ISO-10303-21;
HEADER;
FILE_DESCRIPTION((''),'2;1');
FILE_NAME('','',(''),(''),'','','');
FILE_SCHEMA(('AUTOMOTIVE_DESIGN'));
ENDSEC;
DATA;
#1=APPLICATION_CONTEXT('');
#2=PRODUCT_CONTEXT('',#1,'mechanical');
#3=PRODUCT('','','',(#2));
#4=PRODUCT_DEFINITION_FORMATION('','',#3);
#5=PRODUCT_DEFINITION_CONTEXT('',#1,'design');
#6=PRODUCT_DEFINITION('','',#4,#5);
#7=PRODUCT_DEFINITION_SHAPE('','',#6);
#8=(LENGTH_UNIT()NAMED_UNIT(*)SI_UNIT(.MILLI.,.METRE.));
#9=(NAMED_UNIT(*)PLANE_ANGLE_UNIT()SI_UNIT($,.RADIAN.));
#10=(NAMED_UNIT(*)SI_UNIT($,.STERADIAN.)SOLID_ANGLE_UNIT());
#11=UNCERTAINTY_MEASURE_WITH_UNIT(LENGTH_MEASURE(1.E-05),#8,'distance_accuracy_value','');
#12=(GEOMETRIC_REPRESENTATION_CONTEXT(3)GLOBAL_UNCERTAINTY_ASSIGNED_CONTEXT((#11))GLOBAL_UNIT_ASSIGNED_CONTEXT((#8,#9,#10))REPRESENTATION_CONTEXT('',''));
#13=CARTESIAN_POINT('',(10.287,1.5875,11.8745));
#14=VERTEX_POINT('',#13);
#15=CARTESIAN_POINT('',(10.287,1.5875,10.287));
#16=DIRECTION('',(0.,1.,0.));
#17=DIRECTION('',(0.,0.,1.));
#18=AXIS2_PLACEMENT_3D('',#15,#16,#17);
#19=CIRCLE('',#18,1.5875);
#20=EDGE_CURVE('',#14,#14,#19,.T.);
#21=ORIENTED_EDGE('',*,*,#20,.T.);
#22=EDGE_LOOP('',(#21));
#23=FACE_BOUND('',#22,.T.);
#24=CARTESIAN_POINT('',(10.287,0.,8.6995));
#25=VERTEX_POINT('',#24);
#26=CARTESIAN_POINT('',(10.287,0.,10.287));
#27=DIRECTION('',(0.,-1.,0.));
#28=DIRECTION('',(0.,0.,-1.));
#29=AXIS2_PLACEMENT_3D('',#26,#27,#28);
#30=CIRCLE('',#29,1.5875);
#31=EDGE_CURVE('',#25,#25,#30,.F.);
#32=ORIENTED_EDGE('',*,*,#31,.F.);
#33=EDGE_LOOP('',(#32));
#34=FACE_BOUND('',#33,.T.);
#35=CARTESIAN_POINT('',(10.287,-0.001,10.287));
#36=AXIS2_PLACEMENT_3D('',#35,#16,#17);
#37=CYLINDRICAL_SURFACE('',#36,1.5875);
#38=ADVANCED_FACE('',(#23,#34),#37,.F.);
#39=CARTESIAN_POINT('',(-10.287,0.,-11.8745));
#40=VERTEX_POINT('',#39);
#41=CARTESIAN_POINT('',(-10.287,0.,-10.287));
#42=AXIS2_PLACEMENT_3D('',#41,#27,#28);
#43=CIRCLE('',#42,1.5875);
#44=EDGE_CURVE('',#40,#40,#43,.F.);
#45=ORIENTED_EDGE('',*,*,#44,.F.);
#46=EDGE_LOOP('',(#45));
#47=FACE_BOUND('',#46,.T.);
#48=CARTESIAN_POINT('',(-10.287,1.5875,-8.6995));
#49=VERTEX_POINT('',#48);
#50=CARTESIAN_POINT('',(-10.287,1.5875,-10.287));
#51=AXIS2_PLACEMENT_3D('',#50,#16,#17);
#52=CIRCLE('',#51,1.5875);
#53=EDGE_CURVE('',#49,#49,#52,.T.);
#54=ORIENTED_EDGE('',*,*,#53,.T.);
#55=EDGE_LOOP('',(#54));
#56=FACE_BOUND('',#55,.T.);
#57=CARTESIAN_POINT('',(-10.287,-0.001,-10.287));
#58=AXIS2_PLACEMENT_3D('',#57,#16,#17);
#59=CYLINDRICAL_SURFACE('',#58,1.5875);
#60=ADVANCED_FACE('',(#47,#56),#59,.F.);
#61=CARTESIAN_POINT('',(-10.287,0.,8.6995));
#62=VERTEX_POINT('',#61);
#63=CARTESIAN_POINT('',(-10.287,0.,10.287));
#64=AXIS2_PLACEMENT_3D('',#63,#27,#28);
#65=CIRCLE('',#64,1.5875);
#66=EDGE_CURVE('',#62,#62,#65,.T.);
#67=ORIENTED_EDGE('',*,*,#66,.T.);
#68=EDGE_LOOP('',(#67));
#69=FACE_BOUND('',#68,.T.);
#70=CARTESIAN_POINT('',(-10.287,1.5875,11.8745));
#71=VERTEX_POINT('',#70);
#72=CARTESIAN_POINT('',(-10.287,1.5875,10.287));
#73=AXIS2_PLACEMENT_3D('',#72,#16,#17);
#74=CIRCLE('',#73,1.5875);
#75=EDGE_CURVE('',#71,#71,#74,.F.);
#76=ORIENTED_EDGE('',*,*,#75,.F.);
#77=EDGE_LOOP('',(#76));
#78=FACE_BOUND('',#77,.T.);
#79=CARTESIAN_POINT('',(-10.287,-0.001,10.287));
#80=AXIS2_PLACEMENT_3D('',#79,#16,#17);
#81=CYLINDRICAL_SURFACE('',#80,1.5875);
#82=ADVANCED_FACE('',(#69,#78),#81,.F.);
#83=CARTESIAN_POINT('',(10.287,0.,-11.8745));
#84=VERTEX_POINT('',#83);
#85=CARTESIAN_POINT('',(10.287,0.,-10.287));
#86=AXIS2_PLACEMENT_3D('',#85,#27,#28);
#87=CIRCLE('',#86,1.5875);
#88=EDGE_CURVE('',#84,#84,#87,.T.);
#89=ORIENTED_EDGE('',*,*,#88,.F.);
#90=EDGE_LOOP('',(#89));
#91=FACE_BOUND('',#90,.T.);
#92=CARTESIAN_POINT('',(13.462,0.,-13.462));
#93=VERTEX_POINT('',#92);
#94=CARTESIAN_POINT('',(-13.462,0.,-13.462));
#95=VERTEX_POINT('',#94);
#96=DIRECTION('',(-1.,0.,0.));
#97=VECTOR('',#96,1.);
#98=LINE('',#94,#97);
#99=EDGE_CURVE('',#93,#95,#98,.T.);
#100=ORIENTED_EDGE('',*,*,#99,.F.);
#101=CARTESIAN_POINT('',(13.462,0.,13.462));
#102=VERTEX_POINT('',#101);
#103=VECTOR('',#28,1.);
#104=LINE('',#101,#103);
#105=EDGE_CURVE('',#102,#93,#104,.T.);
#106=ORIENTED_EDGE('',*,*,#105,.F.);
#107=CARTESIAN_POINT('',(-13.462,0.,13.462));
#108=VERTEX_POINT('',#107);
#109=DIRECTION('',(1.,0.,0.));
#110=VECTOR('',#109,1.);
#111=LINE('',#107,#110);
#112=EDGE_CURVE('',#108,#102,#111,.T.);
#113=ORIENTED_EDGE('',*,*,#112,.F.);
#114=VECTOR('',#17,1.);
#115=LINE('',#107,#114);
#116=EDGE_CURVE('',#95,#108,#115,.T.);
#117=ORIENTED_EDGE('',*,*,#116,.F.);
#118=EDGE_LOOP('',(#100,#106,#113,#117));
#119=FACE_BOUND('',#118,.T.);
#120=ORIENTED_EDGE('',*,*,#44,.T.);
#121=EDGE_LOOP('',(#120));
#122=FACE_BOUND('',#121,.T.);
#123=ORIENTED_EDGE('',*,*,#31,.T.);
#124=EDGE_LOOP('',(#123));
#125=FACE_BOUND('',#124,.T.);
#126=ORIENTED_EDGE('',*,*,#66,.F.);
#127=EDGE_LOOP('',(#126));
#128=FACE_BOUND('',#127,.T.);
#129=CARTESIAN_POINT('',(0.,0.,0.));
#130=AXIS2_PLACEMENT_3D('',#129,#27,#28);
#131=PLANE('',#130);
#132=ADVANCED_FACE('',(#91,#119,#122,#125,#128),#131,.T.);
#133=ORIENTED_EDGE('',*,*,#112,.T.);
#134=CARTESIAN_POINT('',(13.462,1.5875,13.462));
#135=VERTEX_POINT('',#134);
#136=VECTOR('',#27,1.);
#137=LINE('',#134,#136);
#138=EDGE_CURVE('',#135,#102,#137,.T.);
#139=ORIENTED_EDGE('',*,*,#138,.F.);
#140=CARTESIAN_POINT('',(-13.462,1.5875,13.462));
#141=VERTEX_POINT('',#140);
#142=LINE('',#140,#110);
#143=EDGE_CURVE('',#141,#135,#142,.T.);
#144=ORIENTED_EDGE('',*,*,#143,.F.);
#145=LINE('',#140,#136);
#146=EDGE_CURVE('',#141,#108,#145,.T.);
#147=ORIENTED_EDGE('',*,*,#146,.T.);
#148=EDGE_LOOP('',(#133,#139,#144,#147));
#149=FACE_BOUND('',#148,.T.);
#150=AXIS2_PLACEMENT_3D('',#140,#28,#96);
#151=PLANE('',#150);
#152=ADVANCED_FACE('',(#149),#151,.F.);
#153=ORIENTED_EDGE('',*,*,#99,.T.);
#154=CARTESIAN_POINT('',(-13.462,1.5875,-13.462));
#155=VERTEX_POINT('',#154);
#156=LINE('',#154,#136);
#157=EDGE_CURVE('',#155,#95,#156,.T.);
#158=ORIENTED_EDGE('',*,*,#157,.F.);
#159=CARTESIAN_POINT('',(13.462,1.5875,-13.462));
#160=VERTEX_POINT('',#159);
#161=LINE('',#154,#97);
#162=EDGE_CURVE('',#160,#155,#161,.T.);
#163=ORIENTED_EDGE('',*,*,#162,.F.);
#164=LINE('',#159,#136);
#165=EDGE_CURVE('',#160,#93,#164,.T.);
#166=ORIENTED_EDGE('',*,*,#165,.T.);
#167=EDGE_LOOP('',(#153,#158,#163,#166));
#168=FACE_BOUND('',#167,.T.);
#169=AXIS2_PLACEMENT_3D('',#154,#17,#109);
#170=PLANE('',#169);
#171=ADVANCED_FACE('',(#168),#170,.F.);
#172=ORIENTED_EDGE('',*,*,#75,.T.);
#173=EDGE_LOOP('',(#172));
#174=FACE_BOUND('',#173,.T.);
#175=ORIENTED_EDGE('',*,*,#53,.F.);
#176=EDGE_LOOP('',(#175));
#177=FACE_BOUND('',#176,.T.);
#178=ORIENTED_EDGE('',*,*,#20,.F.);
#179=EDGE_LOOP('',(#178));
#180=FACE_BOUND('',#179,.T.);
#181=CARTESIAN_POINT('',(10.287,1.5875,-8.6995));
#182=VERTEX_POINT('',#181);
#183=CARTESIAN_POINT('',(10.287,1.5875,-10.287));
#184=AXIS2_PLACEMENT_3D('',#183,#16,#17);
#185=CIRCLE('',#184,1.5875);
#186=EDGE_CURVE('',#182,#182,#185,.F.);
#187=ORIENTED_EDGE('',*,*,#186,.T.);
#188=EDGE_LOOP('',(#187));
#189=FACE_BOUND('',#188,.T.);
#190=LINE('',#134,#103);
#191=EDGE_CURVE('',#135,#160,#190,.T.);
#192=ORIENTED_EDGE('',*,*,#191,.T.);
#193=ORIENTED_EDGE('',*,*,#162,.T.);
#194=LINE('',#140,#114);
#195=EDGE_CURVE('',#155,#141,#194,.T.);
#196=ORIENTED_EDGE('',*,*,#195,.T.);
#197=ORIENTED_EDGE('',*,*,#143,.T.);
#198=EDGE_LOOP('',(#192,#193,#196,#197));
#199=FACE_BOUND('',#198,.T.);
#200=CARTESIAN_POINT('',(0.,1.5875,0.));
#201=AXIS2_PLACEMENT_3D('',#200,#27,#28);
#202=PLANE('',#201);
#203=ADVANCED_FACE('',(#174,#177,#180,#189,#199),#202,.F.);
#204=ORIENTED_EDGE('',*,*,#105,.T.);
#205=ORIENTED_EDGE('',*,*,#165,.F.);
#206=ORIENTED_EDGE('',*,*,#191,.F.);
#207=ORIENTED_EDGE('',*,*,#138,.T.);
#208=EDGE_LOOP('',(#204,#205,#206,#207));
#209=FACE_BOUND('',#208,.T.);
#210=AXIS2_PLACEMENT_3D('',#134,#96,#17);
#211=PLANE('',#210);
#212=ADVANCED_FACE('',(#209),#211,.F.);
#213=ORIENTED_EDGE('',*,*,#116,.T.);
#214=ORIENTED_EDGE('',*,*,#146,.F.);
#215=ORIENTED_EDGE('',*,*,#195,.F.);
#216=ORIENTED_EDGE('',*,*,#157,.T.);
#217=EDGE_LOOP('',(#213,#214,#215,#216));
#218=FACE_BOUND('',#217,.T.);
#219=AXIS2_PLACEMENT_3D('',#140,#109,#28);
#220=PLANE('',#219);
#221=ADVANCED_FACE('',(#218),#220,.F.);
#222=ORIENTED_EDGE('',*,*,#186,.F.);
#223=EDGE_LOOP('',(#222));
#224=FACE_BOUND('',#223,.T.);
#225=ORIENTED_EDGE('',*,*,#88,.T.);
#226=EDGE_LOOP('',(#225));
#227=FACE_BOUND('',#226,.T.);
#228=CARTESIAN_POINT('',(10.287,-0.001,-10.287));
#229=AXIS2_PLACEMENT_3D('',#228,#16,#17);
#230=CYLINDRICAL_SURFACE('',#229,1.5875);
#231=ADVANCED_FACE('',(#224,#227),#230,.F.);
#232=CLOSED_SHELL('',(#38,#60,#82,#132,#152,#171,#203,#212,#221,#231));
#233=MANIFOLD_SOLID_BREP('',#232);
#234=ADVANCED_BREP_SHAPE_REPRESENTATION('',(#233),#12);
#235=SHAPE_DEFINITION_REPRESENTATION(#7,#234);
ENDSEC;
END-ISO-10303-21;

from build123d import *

# Parameters (mm, degrees)
SKETCH1_W           = 26.924
SKETCH1_H           = 26.924
BOSS_EXTRUDE1_DEPTH = 1.5875
CUT_EXTRUDE1_REACH  = 21.104
SKETCH2_R           = 1.5875


with BuildPart() as part:
    # Sketch1 → Boss-Extrude1 (new body)
    with BuildSketch(Plane(origin=(0, 0, 0), x_dir=(1, 0, 0), z_dir=(0, 1, 0))):
        Rectangle(SKETCH1_W, SKETCH1_H)
    extrude(amount=BOSS_EXTRUDE1_DEPTH)

    # Sketch2 → Cut-Extrude1 (cut, up to next)
    with BuildSketch(Plane(origin=(0, 1.5875, 0), x_dir=(1, 0, 0), z_dir=(0, 1, 0)), mode=Mode.PRIVATE) as cut_extrude1_sk1:
        with Locations((10.287, -10.287)):
            Circle(SKETCH2_R)
    cut_extrude1_tool1 = extrude(cut_extrude1_sk1.sketch, amount=-CUT_EXTRUDE1_REACH, mode=Mode.PRIVATE) & part.part
    # Sketch2 → Cut-Extrude1 (cut, up to next)
    with BuildSketch(Plane(origin=(0, 1.5875, 0), x_dir=(1, 0, 0), z_dir=(0, 1, 0)), mode=Mode.PRIVATE) as cut_extrude1_sk2:
        with Locations((10.287, 10.287)):
            Circle(SKETCH2_R)
    cut_extrude1_tool2 = extrude(cut_extrude1_sk2.sketch, amount=-CUT_EXTRUDE1_REACH, mode=Mode.PRIVATE) & part.part
    # Sketch2 → Cut-Extrude1 (cut, up to next)
    with BuildSketch(Plane(origin=(0, 1.5875, 0), x_dir=(1, 0, 0), z_dir=(0, 1, 0)), mode=Mode.PRIVATE) as cut_extrude1_sk3:
        with Locations((-10.287, -10.287)):
            Circle(SKETCH2_R)
    cut_extrude1_tool3 = extrude(cut_extrude1_sk3.sketch, amount=-CUT_EXTRUDE1_REACH, mode=Mode.PRIVATE) & part.part
    # Sketch2 → Cut-Extrude1 (cut, up to next)
    with BuildSketch(Plane(origin=(0, 1.5875, 0), x_dir=(1, 0, 0), z_dir=(0, 1, 0)), mode=Mode.PRIVATE) as cut_extrude1_sk4:
        with Locations((-10.287, 10.287)):
            Circle(SKETCH2_R)
    cut_extrude1_tool4 = extrude(cut_extrude1_sk4.sketch, amount=-CUT_EXTRUDE1_REACH, mode=Mode.PRIVATE) & part.part
    add(cut_extrude1_tool1.solids().sort_by_distance((10.287, 1.5875, 10.287))[0], mode=Mode.SUBTRACT)
    add(cut_extrude1_tool2.solids().sort_by_distance((10.287, 1.5875, -10.287))[0], mode=Mode.SUBTRACT)
    add(cut_extrude1_tool3.solids().sort_by_distance((-10.287, 1.5875, 10.287))[0], mode=Mode.SUBTRACT)
    add(cut_extrude1_tool4.solids().sort_by_distance((-10.287, 1.5875, -10.287))[0], mode=Mode.SUBTRACT)


solid = part.part
